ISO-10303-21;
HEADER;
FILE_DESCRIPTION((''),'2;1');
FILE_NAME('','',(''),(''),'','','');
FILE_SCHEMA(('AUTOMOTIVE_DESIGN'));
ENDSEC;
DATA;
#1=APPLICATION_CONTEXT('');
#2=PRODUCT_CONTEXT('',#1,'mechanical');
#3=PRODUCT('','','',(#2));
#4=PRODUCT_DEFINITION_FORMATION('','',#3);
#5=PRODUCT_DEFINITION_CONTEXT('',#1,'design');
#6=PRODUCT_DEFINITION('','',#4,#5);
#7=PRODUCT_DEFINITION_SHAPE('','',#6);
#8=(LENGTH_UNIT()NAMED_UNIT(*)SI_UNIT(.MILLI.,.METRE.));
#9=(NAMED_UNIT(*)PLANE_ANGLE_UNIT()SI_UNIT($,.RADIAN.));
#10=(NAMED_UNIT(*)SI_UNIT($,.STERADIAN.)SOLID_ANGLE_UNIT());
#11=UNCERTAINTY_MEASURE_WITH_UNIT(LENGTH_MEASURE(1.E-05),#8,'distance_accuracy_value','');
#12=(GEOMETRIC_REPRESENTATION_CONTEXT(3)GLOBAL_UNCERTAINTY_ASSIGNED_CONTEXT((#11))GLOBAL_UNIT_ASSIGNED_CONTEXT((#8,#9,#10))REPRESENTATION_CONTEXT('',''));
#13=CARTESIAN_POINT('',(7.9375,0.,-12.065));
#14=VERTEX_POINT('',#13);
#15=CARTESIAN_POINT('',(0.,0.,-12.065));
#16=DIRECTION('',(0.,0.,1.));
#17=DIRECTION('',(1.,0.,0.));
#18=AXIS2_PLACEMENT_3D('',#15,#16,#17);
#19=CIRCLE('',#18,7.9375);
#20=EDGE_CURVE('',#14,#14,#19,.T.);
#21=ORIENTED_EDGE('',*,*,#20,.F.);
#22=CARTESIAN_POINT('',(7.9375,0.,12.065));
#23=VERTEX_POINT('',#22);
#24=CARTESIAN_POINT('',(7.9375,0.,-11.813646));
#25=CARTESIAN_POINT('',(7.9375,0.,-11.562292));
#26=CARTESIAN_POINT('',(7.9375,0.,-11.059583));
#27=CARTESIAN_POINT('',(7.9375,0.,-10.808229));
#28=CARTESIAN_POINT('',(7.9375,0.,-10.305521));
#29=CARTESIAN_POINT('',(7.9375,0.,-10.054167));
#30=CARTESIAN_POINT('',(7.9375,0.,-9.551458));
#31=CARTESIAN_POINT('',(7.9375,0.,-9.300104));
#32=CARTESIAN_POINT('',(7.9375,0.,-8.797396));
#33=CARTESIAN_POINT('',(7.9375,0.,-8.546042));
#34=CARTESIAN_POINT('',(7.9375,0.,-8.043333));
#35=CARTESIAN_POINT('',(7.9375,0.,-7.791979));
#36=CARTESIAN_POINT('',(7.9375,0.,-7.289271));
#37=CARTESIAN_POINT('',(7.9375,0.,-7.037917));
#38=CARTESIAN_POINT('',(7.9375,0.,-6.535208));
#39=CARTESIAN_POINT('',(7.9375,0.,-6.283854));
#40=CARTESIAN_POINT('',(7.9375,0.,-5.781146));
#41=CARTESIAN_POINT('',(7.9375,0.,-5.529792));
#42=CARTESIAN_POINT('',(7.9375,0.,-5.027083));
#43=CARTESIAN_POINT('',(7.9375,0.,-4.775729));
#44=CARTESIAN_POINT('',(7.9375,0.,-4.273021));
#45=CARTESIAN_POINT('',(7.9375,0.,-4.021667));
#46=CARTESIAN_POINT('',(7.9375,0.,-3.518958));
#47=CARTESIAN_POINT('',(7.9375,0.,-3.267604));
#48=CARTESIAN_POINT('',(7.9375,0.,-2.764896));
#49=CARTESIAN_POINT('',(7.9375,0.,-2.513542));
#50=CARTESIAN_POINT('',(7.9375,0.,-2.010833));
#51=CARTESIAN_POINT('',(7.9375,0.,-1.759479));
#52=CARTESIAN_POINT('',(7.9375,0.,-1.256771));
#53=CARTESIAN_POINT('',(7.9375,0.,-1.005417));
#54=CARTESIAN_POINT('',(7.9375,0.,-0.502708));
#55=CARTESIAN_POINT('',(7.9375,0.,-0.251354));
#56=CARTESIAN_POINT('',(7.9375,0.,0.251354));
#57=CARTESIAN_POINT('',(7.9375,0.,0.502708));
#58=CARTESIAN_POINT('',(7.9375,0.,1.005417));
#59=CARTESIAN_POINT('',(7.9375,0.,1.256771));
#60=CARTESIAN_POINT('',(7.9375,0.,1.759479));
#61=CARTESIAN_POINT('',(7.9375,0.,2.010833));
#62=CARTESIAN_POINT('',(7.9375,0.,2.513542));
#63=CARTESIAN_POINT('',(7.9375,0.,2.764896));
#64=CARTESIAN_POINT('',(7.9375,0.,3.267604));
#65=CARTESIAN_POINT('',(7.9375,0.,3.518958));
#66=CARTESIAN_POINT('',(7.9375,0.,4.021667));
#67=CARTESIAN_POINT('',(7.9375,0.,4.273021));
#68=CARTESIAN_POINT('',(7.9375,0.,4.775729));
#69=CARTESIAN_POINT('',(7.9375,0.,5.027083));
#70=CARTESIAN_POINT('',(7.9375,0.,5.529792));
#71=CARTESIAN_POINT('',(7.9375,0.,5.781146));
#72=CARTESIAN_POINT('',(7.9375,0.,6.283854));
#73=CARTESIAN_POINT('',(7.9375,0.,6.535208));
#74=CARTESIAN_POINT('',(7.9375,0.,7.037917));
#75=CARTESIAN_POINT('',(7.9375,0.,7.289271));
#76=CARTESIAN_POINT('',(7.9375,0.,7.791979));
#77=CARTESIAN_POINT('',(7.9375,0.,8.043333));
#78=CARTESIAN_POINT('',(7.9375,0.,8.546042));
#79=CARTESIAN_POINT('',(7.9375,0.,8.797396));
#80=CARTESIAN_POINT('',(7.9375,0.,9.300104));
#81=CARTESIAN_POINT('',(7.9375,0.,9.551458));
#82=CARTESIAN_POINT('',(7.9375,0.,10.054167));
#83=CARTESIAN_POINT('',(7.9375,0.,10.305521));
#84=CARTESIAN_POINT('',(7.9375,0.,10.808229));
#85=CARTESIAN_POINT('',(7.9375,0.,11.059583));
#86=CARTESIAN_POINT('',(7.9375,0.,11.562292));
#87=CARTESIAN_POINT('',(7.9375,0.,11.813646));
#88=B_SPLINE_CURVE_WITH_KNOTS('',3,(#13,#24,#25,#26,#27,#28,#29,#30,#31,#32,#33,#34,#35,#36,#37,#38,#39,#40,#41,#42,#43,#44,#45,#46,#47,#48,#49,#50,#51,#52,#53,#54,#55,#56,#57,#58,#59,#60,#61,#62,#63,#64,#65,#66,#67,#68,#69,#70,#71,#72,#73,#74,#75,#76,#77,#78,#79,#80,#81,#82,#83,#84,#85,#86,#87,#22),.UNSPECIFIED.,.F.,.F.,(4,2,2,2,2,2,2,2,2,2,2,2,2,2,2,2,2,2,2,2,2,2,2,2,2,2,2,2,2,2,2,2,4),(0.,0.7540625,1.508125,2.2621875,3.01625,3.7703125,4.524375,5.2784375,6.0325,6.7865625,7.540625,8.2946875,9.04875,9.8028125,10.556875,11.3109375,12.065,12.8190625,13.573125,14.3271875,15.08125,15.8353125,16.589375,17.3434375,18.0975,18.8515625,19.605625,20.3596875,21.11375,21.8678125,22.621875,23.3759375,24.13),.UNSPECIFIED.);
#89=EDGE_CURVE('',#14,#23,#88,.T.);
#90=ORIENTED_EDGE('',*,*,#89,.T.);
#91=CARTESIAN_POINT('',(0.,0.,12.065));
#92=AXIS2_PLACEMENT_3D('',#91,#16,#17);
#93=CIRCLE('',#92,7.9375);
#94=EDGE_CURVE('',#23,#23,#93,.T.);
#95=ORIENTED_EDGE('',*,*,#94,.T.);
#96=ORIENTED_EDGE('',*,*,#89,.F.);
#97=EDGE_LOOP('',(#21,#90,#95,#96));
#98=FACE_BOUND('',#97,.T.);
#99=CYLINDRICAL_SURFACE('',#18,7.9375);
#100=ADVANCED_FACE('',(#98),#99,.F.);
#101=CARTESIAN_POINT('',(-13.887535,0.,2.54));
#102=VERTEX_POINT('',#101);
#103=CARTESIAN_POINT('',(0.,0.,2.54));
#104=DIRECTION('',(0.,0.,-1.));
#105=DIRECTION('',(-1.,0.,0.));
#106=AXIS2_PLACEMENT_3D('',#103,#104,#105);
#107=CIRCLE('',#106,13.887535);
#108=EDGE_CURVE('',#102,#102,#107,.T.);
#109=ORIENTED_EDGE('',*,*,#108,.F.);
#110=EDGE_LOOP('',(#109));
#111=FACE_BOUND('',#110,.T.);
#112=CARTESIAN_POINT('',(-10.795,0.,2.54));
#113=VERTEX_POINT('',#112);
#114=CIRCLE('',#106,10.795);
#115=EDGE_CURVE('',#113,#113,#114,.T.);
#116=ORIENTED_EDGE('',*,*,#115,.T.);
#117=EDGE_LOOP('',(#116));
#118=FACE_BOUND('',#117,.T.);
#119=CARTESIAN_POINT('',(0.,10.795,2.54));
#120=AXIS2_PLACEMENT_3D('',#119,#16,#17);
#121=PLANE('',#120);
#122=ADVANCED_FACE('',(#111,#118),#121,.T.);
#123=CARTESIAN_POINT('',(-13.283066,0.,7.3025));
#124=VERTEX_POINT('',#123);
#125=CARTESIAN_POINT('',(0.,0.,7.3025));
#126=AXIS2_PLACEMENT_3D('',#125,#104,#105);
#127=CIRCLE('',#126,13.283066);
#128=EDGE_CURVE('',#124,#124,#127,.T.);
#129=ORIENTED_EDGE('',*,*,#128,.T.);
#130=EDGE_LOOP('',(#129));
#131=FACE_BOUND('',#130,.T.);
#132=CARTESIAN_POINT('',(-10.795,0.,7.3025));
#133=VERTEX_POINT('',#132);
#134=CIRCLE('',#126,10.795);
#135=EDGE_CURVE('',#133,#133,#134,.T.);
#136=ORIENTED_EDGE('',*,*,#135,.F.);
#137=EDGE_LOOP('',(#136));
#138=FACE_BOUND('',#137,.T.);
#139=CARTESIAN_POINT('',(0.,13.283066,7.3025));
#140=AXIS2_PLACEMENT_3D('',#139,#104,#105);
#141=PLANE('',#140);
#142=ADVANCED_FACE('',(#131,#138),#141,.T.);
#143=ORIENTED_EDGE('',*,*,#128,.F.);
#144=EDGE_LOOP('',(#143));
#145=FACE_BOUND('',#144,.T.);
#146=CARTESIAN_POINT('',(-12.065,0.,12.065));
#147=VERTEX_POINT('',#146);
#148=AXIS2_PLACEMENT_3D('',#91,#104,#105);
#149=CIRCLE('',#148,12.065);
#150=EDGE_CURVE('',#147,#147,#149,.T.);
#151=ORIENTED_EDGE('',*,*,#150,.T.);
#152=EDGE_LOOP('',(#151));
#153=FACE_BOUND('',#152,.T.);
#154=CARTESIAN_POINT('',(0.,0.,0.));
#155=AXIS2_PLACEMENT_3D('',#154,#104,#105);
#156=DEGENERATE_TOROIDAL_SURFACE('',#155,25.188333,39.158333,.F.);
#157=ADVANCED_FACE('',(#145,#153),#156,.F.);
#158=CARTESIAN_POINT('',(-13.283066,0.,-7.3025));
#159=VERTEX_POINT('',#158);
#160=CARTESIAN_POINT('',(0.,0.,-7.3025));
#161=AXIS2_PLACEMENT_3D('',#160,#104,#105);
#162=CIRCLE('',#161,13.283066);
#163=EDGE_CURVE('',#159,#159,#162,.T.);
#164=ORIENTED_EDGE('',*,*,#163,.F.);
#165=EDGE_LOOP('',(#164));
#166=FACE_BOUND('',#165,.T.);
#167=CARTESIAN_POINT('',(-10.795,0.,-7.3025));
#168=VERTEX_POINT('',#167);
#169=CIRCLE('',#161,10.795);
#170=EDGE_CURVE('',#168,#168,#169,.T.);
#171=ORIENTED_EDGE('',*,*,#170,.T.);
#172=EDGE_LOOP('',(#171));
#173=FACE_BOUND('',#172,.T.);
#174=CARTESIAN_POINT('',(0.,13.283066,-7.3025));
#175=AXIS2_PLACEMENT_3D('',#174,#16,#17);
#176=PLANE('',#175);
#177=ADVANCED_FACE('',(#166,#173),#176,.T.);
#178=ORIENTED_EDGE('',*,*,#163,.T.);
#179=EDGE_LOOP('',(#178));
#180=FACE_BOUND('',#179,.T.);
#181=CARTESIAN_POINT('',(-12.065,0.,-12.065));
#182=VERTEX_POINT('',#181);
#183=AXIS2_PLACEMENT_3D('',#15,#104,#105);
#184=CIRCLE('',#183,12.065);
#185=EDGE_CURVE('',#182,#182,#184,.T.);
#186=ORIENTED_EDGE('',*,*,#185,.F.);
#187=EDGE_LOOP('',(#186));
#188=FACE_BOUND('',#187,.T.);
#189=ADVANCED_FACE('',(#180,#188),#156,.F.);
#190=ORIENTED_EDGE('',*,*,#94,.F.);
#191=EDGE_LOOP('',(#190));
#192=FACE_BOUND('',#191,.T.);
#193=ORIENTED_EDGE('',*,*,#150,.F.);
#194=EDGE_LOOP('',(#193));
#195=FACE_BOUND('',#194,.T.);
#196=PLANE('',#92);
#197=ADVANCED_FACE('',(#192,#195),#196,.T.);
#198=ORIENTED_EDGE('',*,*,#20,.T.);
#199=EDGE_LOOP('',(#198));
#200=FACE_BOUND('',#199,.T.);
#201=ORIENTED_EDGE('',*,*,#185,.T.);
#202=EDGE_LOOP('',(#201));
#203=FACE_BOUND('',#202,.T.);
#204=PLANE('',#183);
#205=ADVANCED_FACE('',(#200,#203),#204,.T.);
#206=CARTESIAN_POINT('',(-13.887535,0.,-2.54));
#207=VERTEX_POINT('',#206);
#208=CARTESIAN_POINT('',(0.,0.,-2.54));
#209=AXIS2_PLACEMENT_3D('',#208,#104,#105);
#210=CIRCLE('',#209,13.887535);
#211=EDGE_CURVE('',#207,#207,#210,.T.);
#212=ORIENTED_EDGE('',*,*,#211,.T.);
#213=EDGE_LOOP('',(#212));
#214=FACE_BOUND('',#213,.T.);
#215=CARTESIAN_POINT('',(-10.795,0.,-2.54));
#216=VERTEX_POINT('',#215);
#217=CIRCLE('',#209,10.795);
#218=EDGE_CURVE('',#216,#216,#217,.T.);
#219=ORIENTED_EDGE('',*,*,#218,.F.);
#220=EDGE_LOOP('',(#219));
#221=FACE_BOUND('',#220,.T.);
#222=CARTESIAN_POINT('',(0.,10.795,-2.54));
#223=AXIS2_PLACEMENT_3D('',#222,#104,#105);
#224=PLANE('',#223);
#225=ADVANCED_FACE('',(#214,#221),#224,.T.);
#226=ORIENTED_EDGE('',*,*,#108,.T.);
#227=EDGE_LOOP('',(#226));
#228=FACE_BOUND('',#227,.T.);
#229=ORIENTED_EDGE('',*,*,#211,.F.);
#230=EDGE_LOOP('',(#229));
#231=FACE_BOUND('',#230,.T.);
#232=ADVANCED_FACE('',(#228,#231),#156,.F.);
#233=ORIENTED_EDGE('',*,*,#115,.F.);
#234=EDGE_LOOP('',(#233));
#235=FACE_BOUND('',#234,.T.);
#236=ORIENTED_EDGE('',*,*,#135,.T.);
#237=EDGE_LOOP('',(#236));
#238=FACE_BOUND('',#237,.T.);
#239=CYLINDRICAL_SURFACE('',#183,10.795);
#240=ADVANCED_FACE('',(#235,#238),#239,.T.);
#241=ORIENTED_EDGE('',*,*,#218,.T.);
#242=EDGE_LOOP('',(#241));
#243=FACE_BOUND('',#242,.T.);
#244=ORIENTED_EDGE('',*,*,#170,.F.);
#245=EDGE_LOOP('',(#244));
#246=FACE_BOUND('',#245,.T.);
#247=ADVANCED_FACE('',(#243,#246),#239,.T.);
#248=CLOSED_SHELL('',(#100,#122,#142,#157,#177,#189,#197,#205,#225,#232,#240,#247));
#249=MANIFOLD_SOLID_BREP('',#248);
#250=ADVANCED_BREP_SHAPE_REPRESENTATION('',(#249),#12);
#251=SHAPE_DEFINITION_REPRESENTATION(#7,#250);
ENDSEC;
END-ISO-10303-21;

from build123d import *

# Parameters (mm, degrees)
CUT_EXTRUDE1_DEPTH      = 24.149212362
CUT_EXTRUDE1_DEPTH_BACK = 24.149212362
SKETCH3_R               = 7.9375


with BuildPart() as part:
    # Sketch2 → Revolve1 (revolve)
    with BuildSketch(Plane(origin=(0, 0, 0), x_dir=(0, 0, -1), z_dir=(1, 0, 0)), mode=Mode.PRIVATE) as revolve1_sk:
        with BuildLine():
            Line((12.065, 0), (-12.065, 0))
            Line((-12.065, 0), (-12.065, 12.065))
            ThreePointArc((-12.065, 12.065), (-9.702882831, 12.74884018), (-7.3025, 13.283065955))
            Line((-7.3025, 13.283065955), (-7.3025, 10.795))
            Line((-7.3025, 10.795), (-2.54, 10.795))
            Line((-2.54, 10.795), (-2.54, 13.887534788))
            ThreePointArc((-2.54, 13.887534788), (0, 13.97), (2.54, 13.887534788))
            Line((2.54, 13.887534788), (2.54, 10.795))
            Line((2.54, 10.795), (7.3025, 10.795))
            Line((7.3025, 10.795), (7.3025, 13.283065955))
            ThreePointArc((7.3025, 13.283065955), (9.702882831, 12.74884018), (12.065, 12.065))
            Line((12.065, 12.065), (12.065, 0))
        make_face()
    revolve(revolve1_sk.sketch.rotate(Axis((0, 0, -12.065), (0, 0, 1)), 90), axis=Axis((0, 0, -12.065), (0, 0, 1)))

    # Sketch3 → Cut-Extrude1 (cut, two sides: drawn at the far end of the back side and taken through both)
    with BuildSketch(Plane.XY.offset(-CUT_EXTRUDE1_DEPTH_BACK)):
        Circle(SKETCH3_R)
    extrude(amount=CUT_EXTRUDE1_DEPTH + CUT_EXTRUDE1_DEPTH_BACK, mode=Mode.SUBTRACT)


solid = part.part
